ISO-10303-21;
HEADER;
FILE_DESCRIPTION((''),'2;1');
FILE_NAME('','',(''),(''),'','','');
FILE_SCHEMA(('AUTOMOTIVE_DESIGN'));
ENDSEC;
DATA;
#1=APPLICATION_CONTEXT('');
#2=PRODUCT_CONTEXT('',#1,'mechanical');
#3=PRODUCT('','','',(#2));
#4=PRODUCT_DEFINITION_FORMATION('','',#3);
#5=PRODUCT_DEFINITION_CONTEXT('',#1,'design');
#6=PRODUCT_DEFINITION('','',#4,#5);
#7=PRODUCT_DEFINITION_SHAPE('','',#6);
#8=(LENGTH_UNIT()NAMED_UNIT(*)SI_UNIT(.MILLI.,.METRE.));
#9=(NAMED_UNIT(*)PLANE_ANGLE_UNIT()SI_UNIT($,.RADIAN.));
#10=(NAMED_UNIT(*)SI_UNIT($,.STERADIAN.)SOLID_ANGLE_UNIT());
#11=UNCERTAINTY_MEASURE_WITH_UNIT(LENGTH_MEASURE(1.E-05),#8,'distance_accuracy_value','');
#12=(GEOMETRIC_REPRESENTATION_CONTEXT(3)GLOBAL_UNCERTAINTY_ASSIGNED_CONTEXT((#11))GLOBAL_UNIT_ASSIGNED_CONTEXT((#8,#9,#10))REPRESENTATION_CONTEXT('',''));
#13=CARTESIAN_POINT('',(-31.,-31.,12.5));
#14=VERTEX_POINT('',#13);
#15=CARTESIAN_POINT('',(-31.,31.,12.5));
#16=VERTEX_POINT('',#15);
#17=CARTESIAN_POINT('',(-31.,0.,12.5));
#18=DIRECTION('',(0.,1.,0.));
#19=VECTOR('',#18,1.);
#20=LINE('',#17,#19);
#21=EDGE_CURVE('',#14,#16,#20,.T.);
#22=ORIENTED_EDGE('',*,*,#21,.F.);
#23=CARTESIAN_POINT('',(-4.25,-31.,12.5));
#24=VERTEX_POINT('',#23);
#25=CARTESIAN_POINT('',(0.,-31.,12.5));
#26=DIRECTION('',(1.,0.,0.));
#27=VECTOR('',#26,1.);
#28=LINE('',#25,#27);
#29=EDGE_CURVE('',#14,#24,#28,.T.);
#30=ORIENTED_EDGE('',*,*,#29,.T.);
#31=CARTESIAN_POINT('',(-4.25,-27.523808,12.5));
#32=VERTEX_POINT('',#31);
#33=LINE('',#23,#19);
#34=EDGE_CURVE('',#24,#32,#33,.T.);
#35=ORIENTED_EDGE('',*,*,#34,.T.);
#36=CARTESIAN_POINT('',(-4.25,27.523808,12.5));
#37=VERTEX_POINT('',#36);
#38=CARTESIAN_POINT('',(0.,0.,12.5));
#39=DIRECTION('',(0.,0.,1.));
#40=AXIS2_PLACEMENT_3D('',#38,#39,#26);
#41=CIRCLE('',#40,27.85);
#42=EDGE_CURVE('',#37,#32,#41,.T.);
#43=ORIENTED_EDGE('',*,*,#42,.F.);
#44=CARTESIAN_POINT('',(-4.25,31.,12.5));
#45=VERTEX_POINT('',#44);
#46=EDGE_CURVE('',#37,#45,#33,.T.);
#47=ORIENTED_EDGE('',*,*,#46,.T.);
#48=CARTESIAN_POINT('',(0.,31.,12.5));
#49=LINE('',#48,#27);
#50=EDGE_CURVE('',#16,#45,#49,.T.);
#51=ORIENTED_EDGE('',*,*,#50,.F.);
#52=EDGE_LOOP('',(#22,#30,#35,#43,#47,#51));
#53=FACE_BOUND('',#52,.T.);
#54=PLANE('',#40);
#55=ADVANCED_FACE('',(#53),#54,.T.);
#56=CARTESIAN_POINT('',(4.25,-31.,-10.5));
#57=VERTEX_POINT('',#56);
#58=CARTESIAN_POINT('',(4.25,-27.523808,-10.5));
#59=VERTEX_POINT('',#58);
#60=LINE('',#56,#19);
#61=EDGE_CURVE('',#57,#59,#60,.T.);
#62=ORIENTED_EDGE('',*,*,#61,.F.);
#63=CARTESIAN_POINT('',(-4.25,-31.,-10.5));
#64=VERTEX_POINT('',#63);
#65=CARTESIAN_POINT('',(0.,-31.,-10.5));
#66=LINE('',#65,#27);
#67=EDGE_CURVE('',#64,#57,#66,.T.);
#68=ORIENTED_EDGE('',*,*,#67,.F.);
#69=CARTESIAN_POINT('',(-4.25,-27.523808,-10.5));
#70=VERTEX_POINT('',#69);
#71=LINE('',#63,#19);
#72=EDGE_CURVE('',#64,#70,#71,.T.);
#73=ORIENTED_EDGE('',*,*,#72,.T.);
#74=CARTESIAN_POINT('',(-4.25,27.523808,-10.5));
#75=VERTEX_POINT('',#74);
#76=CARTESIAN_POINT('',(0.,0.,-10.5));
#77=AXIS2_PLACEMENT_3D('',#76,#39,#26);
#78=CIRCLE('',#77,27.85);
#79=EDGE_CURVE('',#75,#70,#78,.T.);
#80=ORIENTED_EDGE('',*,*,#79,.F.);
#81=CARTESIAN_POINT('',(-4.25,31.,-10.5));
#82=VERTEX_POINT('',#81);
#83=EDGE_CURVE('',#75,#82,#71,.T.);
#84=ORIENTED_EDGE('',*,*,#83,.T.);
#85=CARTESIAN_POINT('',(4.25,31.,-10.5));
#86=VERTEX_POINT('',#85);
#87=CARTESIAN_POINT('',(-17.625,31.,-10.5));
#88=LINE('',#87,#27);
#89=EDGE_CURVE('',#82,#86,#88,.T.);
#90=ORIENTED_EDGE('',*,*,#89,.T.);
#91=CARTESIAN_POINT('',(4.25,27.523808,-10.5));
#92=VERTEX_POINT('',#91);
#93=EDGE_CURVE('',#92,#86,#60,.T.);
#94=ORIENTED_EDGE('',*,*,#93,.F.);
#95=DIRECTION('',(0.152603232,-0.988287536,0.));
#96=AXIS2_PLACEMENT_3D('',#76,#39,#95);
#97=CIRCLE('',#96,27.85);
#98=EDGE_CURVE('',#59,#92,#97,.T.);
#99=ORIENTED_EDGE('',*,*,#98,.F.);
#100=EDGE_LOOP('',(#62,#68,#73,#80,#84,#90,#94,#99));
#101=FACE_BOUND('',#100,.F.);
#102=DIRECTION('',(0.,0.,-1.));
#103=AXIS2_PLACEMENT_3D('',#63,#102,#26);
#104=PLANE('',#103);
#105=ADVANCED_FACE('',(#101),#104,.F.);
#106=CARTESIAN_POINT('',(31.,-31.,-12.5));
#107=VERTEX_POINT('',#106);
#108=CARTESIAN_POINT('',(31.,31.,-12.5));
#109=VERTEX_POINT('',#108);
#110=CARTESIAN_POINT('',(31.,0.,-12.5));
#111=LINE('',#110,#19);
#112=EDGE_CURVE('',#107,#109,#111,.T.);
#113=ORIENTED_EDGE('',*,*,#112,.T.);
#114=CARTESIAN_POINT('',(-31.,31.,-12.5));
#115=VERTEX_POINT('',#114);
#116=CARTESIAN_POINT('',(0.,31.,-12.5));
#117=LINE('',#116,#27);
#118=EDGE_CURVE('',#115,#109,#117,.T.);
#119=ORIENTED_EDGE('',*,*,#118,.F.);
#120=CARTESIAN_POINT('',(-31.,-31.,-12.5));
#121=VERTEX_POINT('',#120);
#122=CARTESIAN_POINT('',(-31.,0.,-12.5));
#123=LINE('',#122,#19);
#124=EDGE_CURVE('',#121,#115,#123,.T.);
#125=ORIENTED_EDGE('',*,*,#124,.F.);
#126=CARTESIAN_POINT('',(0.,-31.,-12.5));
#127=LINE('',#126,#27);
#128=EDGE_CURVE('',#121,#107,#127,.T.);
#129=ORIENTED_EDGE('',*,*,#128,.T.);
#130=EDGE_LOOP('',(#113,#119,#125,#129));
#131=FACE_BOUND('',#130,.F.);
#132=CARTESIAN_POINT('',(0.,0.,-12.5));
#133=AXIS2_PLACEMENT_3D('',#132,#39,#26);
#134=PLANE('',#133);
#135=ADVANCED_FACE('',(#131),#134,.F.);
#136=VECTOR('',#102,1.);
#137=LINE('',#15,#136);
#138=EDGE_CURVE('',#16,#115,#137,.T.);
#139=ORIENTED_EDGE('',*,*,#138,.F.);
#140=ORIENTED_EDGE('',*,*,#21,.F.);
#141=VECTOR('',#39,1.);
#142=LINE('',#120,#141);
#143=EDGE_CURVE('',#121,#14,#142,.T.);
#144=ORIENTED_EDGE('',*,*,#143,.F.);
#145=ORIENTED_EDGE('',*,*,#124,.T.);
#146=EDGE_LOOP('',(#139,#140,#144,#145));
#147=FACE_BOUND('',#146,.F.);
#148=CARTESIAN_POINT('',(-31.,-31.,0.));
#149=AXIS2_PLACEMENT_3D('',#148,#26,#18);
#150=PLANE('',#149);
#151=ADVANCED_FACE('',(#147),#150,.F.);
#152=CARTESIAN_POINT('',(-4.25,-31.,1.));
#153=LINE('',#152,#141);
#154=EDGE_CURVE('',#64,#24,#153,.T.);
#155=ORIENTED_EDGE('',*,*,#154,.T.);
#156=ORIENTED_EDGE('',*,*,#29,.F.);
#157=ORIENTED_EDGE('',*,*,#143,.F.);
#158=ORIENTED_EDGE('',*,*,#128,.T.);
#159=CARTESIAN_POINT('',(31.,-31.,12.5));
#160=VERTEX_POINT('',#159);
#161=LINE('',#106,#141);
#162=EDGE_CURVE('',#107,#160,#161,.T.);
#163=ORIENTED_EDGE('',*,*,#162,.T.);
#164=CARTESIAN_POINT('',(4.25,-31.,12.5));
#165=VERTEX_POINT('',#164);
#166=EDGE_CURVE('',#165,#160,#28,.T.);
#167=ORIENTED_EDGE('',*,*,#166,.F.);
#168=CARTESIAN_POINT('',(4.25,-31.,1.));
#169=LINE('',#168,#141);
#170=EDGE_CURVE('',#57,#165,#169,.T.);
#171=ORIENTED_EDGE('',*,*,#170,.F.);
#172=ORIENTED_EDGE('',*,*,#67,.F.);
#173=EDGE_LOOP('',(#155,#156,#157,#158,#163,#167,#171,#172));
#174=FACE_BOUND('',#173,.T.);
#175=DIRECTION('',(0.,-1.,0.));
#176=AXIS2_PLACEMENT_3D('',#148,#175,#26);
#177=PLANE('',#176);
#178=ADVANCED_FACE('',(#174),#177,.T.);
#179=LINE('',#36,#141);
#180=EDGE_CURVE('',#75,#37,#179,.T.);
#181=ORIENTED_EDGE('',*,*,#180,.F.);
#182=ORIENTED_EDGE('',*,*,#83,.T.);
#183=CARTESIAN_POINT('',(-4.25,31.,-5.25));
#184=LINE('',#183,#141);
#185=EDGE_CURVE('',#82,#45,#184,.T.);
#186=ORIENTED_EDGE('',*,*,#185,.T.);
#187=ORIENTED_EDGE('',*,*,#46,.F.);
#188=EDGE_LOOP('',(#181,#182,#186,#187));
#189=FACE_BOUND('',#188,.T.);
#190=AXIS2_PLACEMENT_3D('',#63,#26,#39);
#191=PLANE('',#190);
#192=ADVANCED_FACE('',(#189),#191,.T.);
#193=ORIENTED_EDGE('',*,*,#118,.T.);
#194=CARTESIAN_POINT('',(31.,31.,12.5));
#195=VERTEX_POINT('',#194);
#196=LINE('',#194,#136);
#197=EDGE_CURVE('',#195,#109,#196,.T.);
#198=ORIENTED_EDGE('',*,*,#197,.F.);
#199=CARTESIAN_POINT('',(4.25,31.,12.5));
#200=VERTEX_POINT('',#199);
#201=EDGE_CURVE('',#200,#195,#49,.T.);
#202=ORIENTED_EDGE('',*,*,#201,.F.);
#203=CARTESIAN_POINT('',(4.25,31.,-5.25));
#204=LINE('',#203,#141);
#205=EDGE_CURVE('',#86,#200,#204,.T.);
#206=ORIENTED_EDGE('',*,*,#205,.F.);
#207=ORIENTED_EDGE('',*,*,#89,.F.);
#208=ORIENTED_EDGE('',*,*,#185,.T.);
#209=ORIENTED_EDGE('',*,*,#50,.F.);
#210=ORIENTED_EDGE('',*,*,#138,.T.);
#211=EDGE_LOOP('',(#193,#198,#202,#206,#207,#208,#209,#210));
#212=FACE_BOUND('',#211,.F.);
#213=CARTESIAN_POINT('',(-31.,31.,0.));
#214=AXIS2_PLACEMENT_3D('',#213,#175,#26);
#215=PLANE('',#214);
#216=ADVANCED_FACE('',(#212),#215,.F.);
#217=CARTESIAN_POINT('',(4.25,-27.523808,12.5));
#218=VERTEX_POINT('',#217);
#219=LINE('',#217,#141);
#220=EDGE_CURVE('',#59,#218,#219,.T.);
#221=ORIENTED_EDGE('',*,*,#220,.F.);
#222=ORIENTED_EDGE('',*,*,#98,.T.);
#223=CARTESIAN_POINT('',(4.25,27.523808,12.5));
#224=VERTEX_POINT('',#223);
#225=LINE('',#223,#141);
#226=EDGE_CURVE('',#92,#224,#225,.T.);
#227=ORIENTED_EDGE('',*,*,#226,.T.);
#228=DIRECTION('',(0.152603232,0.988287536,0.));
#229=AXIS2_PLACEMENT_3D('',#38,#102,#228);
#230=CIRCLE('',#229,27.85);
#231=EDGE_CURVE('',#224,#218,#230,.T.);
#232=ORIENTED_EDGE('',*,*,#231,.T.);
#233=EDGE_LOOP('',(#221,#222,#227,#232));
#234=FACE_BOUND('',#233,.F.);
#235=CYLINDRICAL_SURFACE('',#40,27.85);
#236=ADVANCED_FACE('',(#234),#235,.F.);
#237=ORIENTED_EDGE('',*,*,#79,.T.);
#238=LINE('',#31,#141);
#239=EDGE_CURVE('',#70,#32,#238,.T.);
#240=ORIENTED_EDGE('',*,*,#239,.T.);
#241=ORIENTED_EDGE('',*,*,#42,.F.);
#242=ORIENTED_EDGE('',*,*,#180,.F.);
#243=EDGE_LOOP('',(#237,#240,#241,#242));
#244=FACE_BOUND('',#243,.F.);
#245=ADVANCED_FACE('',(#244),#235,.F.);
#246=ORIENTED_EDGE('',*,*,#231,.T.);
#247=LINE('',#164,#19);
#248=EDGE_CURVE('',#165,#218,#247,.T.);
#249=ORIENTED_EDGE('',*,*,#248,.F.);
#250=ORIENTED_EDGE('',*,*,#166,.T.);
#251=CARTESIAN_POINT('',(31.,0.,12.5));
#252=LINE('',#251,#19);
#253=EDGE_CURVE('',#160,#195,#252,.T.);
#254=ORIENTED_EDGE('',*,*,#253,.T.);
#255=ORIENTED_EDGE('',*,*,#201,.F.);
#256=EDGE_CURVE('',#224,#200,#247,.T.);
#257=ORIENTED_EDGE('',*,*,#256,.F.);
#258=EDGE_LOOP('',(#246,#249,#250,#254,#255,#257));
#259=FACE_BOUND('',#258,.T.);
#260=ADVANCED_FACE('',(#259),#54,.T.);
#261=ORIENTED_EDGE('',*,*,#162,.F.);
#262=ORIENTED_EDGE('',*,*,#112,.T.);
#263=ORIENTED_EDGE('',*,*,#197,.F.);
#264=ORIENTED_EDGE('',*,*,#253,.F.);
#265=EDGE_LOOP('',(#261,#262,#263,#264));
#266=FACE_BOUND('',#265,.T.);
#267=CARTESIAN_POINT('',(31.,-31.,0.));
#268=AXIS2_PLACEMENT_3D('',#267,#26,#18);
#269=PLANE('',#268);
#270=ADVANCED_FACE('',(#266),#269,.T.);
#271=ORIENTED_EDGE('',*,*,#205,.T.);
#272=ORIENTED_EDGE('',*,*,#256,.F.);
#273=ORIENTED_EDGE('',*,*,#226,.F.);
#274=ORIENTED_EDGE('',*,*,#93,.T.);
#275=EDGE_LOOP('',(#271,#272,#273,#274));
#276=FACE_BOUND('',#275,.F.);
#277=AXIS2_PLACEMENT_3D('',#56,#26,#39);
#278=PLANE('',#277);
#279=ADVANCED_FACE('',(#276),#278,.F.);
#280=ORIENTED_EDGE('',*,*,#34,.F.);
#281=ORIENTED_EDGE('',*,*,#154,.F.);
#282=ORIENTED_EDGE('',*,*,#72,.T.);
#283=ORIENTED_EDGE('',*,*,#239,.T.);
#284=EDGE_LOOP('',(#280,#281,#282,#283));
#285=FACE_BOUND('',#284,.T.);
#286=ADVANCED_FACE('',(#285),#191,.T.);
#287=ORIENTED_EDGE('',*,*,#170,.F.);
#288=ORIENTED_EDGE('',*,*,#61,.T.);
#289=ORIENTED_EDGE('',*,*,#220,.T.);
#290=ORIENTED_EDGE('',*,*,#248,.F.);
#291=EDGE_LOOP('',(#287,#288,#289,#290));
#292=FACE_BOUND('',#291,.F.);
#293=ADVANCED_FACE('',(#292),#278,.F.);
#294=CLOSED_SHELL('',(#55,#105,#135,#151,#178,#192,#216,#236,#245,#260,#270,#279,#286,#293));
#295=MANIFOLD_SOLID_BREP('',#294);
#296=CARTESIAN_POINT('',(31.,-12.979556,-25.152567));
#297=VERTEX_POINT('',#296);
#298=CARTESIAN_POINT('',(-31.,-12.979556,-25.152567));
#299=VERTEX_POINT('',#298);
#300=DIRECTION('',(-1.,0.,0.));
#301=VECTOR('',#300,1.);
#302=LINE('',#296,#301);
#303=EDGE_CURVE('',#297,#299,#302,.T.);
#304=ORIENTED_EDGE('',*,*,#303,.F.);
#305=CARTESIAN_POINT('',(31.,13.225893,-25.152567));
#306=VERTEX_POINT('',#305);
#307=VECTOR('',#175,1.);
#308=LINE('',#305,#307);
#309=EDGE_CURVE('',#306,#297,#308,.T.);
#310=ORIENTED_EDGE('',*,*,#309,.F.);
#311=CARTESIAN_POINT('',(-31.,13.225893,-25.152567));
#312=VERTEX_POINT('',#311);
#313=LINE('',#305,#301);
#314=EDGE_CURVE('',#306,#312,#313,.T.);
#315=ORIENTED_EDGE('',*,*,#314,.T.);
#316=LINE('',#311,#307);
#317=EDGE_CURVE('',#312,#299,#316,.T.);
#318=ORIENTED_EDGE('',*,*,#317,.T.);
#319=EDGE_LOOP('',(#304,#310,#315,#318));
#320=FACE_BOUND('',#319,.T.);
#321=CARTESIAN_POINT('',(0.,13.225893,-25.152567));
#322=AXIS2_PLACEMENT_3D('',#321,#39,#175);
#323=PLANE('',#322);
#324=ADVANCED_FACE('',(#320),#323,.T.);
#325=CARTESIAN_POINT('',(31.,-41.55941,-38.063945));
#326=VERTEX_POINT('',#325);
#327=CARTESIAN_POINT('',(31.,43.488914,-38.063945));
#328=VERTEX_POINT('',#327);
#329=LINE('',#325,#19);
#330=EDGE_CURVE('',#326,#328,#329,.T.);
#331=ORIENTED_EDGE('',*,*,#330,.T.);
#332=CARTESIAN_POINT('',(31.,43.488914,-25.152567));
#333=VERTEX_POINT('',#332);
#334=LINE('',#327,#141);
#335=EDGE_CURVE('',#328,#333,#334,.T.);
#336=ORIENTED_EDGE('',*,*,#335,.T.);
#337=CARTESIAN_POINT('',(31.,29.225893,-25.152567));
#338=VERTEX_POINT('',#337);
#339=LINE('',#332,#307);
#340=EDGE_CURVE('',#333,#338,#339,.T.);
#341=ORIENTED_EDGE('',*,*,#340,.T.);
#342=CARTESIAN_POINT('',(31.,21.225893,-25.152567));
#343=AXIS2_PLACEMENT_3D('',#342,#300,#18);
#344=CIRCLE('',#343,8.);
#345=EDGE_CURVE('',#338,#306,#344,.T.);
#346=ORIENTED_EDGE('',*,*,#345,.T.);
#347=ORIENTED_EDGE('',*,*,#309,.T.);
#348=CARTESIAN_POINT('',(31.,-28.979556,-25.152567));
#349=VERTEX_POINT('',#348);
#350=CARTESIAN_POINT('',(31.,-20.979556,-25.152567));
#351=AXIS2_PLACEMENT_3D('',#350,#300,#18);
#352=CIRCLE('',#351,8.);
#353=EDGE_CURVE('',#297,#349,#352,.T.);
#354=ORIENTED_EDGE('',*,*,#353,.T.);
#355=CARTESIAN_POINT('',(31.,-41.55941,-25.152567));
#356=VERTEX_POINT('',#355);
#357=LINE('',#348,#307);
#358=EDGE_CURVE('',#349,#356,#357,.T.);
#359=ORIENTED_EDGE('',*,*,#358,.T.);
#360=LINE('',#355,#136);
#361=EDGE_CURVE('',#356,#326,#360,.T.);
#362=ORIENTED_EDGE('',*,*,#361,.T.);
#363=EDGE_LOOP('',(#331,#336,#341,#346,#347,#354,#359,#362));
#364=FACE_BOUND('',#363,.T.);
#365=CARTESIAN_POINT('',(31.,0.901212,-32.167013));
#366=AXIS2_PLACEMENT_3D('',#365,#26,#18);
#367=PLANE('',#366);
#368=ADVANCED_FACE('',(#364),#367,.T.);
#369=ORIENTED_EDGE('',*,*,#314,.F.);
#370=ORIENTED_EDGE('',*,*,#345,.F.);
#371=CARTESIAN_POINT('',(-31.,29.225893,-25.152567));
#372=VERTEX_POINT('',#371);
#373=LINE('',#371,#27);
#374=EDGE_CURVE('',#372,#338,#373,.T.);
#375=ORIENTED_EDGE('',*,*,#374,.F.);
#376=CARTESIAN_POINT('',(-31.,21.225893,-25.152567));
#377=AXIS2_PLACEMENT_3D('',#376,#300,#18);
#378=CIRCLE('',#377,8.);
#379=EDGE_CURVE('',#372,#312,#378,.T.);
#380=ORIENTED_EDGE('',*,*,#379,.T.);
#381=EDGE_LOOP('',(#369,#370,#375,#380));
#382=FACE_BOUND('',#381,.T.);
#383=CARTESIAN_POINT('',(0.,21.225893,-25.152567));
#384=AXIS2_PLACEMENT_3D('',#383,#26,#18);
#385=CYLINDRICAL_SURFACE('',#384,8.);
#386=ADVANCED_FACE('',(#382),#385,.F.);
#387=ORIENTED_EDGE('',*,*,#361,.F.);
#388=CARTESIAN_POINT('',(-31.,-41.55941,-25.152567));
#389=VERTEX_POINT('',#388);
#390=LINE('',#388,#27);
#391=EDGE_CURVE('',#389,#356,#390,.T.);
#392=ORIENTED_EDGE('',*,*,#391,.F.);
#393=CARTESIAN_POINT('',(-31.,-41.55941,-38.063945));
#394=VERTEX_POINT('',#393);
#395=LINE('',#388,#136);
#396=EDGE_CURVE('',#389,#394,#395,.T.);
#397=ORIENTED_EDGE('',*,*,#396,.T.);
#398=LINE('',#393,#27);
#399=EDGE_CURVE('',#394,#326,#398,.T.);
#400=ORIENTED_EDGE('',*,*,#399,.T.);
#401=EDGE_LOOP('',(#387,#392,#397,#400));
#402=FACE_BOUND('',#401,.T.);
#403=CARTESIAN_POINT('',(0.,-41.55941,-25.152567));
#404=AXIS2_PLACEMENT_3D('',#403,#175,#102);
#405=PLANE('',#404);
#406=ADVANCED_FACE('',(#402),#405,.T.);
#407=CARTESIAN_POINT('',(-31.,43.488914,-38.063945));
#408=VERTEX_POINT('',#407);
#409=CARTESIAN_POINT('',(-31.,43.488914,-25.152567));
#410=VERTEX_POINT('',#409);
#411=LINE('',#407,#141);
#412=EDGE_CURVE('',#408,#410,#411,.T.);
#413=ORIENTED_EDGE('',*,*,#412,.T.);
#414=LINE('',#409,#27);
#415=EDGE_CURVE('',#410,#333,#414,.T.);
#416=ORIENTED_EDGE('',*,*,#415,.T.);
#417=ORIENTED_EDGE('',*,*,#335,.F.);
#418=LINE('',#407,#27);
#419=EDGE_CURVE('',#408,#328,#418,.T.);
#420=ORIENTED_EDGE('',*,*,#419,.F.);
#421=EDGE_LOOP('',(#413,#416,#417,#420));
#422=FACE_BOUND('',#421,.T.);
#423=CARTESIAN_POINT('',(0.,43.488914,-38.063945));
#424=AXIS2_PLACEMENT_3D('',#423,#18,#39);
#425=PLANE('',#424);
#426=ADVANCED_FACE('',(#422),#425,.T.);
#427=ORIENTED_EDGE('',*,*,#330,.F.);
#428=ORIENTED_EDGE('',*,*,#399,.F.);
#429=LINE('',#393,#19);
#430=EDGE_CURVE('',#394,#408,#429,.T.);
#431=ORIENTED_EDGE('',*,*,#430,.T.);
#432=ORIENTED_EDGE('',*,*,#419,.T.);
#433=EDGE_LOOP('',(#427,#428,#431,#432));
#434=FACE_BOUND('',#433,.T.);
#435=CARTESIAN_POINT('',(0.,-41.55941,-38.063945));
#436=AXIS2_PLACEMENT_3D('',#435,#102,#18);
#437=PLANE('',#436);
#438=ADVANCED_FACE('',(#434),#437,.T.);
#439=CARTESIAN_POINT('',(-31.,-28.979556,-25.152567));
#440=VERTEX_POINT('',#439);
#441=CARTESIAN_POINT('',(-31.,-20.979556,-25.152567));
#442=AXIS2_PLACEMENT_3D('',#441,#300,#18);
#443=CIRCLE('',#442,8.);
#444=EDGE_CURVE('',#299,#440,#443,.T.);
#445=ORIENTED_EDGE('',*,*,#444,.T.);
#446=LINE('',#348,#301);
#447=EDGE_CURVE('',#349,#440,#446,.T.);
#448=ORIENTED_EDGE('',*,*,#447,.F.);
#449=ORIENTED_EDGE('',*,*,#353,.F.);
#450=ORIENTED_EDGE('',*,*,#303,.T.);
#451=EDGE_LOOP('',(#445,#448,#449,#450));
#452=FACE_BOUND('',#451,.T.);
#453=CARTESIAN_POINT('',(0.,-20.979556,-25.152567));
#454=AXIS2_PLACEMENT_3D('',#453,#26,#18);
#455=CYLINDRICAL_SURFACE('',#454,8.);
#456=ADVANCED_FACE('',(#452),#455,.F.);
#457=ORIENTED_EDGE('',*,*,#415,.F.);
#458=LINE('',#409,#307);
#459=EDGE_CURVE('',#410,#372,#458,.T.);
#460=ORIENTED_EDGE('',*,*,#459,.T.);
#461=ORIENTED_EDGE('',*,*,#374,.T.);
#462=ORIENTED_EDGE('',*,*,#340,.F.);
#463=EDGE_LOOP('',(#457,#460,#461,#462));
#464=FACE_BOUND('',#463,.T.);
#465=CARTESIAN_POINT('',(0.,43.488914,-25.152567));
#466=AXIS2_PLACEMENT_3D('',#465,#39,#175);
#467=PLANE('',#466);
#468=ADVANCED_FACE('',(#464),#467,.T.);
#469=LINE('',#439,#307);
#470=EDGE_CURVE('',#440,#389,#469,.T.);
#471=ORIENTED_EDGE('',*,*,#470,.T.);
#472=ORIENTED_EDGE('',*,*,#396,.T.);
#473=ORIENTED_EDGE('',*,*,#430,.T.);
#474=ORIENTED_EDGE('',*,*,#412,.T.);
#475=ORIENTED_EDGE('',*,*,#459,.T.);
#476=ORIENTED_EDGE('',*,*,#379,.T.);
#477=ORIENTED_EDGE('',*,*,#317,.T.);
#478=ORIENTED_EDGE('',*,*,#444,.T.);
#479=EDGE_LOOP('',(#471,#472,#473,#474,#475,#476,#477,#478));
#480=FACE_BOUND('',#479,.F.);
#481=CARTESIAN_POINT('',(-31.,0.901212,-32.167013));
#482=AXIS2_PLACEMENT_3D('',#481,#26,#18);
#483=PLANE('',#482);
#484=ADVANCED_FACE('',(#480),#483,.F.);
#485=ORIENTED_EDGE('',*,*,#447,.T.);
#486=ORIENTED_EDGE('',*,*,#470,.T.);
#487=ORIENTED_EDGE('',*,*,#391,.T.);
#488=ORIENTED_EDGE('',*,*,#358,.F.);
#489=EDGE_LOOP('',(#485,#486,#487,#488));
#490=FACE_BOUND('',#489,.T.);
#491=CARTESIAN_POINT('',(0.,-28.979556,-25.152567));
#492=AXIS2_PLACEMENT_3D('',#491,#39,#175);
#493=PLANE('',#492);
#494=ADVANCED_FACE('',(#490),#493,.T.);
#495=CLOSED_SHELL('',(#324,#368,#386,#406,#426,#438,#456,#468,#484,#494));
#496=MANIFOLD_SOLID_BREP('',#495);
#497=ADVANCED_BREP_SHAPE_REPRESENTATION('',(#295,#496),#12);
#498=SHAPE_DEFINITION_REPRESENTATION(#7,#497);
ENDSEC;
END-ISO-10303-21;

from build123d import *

# Parameters (mm, degrees)
F0_W          = 62
F0_H          = 62
F1_DEPTH      = 12.5
F2_R          = 27.85
F3_DEPTH      = 23
F4_W          = 8.5
F4_H          = 23
F5_DEPTH      = 72.3
F7_DEPTH      = 31
F7_DEPTH_BACK = 31


with BuildPart() as f1:
    # F0 (on Top) → F1 (new body, symmetric)
    with BuildSketch(Plane.XY):
        Rectangle(F0_W, F0_H)
    extrude(amount=F1_DEPTH, both=True)

    # F2 (on face) → F3 (cut)
    with BuildSketch(Plane.XY.offset(12.5)):
        Circle(F2_R)
    extrude(amount=-F3_DEPTH, mode=Mode.SUBTRACT)

    # F4 (on face) → F5 (cut)
    with BuildSketch(Plane.XZ.offset(31)):
        with Locations((0, 1)):
            Rectangle(F4_W, F4_H)
    extrude(amount=-F5_DEPTH, mode=Mode.SUBTRACT)


with BuildPart() as f7:
    # F6 (on Right) → F7 (new body, two sides)
    with BuildSketch(Plane.YZ) as f7_sk:
        with BuildLine():
            Line((-28.979556, -25.152567), (-41.55941, -25.152567))
            Line((-41.55941, -25.152567), (-41.55941, -38.063945))
            Line((-41.55941, -38.063945), (43.488914, -38.063945))
            Line((43.488914, -38.063945), (43.488914, -25.152567))
            Line((43.488914, -25.152567), (29.225893, -25.152567))
            ThreePointArc((29.225893, -25.152567), (21.225893, -33.152567), (13.225893, -25.152567))
            Line((13.225893, -25.152567), (-12.979556, -25.152567))
            ThreePointArc((-12.979556, -25.152567), (-20.979556, -33.152567), (-28.979556, -25.152567))
        make_face()
    extrude(amount=F7_DEPTH)
    extrude(f7_sk.sketch, amount=-F7_DEPTH_BACK)


solid = Compound([f1.part, f7.part])
